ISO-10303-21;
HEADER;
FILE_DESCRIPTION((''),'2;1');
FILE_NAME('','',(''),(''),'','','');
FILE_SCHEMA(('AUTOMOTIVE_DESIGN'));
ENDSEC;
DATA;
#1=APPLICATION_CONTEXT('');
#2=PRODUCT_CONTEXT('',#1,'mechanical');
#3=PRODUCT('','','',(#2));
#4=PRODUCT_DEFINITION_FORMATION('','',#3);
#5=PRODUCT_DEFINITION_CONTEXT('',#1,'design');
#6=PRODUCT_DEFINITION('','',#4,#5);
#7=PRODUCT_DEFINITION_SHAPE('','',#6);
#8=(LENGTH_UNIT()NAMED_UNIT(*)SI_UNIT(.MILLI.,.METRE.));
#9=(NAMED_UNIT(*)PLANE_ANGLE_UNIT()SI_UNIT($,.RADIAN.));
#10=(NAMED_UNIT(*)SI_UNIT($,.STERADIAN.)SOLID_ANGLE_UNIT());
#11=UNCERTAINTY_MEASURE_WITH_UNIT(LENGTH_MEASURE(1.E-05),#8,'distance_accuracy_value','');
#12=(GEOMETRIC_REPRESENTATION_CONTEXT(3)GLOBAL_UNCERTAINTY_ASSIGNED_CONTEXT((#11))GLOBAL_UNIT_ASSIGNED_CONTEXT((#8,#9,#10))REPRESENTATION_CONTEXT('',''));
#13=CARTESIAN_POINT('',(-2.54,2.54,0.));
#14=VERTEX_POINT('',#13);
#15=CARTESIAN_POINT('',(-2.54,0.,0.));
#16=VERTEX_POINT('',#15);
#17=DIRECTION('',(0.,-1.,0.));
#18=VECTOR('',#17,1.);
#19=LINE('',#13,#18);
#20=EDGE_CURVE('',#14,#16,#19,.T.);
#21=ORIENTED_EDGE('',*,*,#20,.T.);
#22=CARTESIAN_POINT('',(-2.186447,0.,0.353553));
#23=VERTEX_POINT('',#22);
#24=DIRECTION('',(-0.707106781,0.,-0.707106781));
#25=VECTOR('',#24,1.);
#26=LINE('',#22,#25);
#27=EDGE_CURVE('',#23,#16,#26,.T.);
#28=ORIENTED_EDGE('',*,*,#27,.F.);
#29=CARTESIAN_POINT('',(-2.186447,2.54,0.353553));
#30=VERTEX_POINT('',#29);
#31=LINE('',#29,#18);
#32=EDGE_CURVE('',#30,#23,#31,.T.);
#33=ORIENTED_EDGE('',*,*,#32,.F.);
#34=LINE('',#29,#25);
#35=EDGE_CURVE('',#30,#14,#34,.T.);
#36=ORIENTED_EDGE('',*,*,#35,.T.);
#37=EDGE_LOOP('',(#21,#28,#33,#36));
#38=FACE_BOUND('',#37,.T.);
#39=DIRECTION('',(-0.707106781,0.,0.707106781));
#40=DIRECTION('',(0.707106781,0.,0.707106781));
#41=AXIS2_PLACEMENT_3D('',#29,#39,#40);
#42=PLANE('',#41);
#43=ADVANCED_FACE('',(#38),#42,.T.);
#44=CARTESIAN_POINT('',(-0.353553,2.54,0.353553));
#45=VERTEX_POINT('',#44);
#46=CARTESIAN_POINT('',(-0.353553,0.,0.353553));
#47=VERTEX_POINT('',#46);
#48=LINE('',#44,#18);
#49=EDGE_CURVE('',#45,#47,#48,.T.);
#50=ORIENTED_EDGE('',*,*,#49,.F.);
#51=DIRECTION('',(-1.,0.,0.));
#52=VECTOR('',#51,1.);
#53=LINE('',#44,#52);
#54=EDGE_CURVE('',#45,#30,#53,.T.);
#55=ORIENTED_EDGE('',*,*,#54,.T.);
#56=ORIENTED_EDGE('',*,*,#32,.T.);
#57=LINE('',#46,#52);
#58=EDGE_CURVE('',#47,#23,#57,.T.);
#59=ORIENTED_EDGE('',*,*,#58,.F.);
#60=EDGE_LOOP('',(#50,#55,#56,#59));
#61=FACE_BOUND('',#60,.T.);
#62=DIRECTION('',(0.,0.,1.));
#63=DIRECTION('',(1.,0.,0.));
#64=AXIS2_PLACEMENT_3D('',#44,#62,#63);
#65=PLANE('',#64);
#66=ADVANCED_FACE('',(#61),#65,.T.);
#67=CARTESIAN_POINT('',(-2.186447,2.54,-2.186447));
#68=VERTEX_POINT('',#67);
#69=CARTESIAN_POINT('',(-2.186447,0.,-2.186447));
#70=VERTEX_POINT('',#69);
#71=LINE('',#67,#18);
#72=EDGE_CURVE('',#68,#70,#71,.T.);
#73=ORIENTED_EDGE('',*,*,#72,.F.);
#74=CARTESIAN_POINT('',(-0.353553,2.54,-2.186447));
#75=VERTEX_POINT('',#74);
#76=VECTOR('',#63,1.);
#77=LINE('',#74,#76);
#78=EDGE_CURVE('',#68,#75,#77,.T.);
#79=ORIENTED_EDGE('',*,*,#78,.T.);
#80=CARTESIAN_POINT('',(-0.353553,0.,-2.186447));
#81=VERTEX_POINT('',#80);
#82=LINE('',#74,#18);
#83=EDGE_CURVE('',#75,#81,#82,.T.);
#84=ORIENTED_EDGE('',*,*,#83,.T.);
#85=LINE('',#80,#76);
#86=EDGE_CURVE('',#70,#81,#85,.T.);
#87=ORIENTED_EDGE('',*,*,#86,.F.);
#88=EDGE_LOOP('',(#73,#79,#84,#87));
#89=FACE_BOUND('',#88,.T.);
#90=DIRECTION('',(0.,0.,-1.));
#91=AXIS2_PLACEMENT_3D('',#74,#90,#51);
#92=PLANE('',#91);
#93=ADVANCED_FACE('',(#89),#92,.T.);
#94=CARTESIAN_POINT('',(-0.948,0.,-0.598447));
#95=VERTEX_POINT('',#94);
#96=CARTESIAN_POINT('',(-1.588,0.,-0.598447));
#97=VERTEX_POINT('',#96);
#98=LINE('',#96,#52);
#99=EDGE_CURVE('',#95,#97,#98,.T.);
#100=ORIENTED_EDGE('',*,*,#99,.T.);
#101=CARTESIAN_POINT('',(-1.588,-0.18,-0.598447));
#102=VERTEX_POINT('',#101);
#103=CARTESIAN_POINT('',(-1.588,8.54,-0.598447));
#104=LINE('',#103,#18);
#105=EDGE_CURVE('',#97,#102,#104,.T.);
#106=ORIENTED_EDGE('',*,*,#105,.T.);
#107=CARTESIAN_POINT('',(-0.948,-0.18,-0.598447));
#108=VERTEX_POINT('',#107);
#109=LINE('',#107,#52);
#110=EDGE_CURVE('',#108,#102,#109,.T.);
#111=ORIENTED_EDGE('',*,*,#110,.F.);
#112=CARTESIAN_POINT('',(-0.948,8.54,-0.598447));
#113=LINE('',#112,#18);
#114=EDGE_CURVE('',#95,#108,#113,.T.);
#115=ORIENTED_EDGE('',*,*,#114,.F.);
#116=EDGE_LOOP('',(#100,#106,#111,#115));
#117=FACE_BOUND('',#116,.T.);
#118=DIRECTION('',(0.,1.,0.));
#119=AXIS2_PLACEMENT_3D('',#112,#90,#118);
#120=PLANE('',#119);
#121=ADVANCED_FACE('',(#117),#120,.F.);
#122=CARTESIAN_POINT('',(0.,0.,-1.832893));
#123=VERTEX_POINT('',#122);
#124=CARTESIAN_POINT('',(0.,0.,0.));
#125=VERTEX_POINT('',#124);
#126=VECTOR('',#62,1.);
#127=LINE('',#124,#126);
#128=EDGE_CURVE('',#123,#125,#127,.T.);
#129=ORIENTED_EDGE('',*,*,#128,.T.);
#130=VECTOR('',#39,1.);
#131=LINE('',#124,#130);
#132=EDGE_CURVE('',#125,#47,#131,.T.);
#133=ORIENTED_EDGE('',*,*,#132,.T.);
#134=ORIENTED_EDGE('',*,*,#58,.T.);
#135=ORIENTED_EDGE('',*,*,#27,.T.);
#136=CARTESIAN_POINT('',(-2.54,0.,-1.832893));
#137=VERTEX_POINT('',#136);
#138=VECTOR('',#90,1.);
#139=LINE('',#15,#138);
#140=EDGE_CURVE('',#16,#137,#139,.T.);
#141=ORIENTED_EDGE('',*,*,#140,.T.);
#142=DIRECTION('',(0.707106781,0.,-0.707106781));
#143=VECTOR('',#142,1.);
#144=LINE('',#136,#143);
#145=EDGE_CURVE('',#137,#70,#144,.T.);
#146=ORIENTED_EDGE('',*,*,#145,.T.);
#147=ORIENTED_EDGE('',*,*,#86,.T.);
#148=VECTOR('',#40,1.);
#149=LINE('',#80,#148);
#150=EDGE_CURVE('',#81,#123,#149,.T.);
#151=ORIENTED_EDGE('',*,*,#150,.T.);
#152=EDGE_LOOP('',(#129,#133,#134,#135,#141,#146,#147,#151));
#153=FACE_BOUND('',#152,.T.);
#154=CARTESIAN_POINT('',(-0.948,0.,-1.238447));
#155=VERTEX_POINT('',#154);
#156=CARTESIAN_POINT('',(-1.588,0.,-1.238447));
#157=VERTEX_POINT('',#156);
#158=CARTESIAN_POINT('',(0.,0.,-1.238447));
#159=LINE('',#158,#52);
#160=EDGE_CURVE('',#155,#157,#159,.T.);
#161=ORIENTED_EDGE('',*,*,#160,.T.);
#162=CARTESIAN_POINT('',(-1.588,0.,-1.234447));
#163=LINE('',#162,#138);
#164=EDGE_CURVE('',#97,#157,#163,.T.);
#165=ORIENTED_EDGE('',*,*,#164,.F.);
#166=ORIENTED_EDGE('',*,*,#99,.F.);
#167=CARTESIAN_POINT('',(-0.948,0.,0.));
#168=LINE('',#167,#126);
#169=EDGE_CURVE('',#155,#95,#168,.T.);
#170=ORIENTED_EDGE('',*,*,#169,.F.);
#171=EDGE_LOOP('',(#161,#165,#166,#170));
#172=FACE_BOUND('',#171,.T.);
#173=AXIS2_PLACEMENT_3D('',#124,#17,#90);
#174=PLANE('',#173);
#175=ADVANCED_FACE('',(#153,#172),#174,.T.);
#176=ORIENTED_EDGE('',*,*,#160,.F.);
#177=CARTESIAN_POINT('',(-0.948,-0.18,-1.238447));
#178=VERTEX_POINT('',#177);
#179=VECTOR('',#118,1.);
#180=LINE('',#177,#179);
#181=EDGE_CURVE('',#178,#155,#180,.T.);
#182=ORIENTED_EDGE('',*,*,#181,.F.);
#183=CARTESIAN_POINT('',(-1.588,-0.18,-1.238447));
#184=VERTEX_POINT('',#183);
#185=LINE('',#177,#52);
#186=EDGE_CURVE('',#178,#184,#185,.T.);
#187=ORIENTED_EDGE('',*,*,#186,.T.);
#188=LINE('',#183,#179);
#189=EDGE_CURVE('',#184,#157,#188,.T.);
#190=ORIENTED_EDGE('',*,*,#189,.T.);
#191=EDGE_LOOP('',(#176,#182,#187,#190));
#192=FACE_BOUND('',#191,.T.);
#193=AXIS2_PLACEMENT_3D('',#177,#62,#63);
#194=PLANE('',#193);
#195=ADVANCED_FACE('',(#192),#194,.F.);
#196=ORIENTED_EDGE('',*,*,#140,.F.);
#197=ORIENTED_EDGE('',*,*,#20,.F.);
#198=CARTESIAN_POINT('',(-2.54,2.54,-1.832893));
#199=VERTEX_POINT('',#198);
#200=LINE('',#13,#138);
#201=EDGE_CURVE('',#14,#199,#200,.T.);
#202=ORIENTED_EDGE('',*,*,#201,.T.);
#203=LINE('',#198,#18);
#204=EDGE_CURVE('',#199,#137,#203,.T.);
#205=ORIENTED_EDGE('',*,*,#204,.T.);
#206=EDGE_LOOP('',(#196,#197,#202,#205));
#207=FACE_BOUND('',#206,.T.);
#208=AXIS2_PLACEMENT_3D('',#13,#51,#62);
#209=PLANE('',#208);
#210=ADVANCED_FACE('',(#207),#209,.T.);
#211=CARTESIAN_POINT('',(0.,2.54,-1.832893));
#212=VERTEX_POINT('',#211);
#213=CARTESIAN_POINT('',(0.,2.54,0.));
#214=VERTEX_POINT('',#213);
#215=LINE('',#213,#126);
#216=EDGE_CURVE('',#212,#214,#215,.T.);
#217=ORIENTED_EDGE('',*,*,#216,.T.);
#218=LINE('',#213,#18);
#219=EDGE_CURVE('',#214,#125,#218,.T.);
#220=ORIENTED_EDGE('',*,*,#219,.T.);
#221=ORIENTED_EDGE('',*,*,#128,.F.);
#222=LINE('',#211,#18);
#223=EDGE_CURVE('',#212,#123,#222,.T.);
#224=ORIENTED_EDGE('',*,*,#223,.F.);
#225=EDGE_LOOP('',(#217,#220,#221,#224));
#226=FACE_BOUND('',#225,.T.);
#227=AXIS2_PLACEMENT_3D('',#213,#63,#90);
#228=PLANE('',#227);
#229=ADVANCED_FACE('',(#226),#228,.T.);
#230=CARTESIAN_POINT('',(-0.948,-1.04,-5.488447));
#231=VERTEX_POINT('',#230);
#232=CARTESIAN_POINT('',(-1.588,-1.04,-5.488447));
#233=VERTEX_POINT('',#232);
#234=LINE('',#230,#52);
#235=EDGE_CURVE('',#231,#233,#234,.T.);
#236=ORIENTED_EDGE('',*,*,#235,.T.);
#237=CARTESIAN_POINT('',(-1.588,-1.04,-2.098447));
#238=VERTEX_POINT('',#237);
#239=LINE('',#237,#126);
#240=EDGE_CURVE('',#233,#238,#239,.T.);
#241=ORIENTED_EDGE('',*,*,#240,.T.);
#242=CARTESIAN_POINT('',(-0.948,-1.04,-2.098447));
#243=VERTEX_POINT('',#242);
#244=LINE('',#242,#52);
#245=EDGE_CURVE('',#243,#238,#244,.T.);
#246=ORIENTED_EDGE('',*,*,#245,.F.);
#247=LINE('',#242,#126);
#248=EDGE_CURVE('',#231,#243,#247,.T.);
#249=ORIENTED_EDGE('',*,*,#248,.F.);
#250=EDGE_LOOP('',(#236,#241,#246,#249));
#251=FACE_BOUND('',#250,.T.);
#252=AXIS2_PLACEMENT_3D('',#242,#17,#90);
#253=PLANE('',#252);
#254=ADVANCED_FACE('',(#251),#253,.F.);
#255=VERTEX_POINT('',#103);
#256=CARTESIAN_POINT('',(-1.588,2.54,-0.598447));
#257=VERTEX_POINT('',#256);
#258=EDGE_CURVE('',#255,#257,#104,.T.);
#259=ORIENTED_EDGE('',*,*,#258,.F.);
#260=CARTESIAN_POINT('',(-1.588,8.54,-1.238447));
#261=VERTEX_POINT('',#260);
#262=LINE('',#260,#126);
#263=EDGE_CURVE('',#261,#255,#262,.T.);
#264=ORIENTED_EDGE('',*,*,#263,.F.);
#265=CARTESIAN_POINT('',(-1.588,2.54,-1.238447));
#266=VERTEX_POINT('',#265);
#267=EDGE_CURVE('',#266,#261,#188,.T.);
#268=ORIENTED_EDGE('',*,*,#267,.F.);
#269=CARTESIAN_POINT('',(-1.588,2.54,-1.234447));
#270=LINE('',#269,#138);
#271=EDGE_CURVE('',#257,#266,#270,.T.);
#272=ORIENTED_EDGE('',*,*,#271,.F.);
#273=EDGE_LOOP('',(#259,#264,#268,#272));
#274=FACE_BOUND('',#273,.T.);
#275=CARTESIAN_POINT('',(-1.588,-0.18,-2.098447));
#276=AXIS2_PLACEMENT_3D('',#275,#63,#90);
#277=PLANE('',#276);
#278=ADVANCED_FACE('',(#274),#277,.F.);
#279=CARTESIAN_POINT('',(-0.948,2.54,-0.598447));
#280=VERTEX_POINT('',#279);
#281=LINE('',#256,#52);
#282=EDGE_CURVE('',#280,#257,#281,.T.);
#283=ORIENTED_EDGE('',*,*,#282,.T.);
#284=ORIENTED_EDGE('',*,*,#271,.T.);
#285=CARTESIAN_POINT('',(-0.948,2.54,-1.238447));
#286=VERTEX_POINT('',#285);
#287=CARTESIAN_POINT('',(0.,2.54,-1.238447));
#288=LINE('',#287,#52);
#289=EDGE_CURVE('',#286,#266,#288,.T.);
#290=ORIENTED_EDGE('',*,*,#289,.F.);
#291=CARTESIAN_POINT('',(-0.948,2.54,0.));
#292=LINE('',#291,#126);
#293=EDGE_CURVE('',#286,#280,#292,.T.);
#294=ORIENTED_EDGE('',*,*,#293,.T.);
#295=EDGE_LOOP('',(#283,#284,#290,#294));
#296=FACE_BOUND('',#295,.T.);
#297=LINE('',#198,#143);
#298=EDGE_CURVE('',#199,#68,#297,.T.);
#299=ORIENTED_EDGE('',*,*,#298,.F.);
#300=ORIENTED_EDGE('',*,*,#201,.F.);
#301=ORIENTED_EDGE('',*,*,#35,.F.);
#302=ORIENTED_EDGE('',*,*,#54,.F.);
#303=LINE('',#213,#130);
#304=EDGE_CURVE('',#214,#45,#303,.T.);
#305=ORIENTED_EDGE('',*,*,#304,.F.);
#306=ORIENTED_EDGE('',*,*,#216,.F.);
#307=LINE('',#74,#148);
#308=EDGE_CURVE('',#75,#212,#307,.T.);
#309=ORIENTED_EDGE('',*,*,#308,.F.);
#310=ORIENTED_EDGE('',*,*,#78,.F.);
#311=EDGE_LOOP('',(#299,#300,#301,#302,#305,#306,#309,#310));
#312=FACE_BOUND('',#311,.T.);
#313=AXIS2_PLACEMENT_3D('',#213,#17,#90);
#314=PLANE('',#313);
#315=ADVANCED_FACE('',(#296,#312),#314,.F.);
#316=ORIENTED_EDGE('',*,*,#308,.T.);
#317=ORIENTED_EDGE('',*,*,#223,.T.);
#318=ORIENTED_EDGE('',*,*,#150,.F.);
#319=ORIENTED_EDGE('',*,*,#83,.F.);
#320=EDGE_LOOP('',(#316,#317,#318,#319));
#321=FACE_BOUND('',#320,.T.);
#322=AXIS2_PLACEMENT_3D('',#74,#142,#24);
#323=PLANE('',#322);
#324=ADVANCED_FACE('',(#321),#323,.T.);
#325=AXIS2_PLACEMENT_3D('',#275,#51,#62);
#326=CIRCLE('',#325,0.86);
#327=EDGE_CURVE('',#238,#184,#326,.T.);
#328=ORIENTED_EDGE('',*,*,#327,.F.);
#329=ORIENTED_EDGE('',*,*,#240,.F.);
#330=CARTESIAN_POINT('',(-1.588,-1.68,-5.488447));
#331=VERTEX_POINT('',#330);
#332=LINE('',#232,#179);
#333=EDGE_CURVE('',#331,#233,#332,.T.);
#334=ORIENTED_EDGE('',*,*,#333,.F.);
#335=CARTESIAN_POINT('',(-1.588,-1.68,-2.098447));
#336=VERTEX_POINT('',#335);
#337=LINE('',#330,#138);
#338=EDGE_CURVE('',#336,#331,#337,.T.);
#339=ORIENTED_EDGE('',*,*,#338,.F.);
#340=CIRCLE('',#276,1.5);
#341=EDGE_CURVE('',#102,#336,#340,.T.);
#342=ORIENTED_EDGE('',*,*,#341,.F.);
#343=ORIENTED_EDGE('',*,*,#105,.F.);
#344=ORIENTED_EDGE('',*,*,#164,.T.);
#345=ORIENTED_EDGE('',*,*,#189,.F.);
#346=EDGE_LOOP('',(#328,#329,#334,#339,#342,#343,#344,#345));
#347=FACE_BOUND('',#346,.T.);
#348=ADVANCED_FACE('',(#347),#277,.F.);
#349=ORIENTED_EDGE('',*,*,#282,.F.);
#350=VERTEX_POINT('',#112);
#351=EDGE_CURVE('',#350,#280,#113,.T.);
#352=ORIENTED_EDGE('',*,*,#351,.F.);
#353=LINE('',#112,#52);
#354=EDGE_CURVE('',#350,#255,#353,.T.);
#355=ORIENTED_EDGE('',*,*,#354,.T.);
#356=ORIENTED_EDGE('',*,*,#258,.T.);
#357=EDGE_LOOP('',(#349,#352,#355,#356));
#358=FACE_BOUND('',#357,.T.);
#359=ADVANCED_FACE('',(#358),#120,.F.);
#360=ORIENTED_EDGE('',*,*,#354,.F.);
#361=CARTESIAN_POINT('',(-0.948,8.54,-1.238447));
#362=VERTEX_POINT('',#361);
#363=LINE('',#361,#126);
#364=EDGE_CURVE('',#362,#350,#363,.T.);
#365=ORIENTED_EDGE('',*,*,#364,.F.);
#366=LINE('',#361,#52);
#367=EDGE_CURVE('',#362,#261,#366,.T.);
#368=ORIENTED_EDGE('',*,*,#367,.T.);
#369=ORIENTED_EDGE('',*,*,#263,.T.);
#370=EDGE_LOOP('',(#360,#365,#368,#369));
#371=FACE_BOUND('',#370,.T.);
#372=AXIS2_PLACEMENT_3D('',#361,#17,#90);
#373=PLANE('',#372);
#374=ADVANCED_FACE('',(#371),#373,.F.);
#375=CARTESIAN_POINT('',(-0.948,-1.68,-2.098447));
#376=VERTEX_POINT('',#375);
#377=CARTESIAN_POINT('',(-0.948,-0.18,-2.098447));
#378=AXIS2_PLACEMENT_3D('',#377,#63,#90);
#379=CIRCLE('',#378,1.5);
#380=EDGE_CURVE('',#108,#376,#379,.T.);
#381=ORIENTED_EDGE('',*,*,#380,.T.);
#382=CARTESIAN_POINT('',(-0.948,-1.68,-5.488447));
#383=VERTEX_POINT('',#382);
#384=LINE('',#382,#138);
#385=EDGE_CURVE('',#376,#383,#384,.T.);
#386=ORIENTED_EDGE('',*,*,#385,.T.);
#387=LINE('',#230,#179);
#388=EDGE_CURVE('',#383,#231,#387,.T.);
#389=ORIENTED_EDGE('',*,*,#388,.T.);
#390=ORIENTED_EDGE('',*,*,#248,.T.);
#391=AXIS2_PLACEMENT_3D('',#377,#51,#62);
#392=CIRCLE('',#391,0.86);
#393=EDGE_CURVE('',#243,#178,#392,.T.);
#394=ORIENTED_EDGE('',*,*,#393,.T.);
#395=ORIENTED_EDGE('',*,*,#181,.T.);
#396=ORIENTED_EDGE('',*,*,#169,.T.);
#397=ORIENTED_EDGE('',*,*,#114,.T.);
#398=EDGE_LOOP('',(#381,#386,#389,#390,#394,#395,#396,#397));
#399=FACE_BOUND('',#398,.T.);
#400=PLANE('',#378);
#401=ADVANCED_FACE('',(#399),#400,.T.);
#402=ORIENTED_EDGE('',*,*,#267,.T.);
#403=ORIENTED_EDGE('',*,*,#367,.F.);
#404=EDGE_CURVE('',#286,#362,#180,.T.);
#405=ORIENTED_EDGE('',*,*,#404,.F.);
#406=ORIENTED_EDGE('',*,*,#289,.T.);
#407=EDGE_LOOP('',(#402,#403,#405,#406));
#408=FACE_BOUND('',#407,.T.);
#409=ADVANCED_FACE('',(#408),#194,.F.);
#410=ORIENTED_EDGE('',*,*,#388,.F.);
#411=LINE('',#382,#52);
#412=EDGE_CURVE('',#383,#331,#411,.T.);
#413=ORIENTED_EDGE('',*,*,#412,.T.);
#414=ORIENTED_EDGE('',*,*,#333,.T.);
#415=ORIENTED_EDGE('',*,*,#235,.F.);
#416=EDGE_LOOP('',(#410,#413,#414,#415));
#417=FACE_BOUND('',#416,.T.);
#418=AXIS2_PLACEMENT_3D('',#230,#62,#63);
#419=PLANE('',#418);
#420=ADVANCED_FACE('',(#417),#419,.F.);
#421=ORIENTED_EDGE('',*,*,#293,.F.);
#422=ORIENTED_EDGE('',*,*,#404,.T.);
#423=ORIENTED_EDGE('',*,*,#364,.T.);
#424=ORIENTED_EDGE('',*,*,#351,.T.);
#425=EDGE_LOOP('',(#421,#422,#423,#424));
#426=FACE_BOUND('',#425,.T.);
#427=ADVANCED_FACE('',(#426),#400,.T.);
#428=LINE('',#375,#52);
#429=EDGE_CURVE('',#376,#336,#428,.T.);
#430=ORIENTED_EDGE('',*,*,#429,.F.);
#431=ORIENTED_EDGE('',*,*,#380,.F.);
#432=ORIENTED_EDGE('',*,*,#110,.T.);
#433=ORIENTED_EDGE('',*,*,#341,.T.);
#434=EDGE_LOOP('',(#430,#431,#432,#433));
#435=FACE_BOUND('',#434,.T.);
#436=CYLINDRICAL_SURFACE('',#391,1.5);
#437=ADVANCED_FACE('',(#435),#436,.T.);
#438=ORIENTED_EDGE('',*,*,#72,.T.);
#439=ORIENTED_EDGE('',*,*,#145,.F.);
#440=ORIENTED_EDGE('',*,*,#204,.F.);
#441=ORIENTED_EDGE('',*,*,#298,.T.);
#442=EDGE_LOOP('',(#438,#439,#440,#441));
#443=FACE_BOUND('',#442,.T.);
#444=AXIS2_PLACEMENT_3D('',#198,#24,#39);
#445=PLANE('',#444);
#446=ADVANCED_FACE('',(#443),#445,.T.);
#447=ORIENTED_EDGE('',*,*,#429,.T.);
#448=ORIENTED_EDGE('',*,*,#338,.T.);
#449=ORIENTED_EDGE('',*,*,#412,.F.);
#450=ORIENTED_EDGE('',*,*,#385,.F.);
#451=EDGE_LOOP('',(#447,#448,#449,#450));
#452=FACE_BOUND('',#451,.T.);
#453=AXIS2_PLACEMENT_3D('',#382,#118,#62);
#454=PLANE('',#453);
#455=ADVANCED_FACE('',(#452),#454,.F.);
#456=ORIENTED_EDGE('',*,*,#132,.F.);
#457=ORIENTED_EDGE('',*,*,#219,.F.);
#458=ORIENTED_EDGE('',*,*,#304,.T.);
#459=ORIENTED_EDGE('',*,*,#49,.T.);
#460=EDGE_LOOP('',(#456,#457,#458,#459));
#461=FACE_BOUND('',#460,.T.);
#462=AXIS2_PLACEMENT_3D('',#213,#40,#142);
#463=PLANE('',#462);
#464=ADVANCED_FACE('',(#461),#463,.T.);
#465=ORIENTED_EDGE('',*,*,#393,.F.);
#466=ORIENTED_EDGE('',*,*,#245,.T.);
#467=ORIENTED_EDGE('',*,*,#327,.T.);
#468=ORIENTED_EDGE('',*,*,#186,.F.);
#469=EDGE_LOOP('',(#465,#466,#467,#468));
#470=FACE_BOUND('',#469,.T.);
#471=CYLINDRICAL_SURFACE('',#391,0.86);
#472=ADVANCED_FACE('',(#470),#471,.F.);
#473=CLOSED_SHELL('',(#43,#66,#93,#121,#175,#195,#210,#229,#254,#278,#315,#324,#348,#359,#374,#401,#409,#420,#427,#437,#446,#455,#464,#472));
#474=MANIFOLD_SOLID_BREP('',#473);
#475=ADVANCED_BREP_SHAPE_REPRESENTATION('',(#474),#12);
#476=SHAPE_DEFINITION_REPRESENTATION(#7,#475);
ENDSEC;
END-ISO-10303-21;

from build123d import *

# Parameters (mm, degrees)
SKETCH1_W           = 0.636
SKETCH1_H           = 0.636
BOSS_EXTRUDE1_DEPTH = 2.54
BOSS_EXTRU_1_DEPTH  = 0.64


with BuildPart() as part:
    # Sketch1 → Boss-Extrude1 (new body)
    with BuildSketch(Plane.XZ):
        Polygon((-0.353553391, -2.186446609), (-2.186446609, -2.186446609), (-2.54, -1.832893219), (-2.54, 0), (-2.186446609, 0.353553391), (-0.353553391, 0.353553391), (0, 0), (0, -1.832893219), align=None)
        with Locations((-1.27, -0.916446609)):
            Rectangle(SKETCH1_W, SKETCH1_H, mode=Mode.SUBTRACT)
    extrude(amount=-BOSS_EXTRUDE1_DEPTH)

    # Esquisse1 → Boss.-Extru.1 (add)
    with BuildSketch(Plane(origin=(-1.588, 0, 0), x_dir=(0, 0, -1), z_dir=(1, 0, 0))):
        with BuildLine():
            Line((0.598446609, 8.54), (0.598446609, -0.18))
            ThreePointArc((0.598446609, -0.18), (1.037786438, -1.240660172), (2.098446609, -1.68))
            Line((2.098446609, -1.68), (5.488446609, -1.68))
            Line((5.488446609, -1.68), (5.488446609, -1.04))
            Line((5.488446609, -1.04), (2.098446609, -1.04))
            ThreePointArc((2.098446609, -1.04), (1.490334778, -0.788111832), (1.238446609, -0.18))
            Line((1.238446609, -0.18), (1.238446609, 8.54))
            Line((1.238446609, 8.54), (0.598446609, 8.54))
        make_face()
    extrude(amount=BOSS_EXTRU_1_DEPTH)


solid = part.part
